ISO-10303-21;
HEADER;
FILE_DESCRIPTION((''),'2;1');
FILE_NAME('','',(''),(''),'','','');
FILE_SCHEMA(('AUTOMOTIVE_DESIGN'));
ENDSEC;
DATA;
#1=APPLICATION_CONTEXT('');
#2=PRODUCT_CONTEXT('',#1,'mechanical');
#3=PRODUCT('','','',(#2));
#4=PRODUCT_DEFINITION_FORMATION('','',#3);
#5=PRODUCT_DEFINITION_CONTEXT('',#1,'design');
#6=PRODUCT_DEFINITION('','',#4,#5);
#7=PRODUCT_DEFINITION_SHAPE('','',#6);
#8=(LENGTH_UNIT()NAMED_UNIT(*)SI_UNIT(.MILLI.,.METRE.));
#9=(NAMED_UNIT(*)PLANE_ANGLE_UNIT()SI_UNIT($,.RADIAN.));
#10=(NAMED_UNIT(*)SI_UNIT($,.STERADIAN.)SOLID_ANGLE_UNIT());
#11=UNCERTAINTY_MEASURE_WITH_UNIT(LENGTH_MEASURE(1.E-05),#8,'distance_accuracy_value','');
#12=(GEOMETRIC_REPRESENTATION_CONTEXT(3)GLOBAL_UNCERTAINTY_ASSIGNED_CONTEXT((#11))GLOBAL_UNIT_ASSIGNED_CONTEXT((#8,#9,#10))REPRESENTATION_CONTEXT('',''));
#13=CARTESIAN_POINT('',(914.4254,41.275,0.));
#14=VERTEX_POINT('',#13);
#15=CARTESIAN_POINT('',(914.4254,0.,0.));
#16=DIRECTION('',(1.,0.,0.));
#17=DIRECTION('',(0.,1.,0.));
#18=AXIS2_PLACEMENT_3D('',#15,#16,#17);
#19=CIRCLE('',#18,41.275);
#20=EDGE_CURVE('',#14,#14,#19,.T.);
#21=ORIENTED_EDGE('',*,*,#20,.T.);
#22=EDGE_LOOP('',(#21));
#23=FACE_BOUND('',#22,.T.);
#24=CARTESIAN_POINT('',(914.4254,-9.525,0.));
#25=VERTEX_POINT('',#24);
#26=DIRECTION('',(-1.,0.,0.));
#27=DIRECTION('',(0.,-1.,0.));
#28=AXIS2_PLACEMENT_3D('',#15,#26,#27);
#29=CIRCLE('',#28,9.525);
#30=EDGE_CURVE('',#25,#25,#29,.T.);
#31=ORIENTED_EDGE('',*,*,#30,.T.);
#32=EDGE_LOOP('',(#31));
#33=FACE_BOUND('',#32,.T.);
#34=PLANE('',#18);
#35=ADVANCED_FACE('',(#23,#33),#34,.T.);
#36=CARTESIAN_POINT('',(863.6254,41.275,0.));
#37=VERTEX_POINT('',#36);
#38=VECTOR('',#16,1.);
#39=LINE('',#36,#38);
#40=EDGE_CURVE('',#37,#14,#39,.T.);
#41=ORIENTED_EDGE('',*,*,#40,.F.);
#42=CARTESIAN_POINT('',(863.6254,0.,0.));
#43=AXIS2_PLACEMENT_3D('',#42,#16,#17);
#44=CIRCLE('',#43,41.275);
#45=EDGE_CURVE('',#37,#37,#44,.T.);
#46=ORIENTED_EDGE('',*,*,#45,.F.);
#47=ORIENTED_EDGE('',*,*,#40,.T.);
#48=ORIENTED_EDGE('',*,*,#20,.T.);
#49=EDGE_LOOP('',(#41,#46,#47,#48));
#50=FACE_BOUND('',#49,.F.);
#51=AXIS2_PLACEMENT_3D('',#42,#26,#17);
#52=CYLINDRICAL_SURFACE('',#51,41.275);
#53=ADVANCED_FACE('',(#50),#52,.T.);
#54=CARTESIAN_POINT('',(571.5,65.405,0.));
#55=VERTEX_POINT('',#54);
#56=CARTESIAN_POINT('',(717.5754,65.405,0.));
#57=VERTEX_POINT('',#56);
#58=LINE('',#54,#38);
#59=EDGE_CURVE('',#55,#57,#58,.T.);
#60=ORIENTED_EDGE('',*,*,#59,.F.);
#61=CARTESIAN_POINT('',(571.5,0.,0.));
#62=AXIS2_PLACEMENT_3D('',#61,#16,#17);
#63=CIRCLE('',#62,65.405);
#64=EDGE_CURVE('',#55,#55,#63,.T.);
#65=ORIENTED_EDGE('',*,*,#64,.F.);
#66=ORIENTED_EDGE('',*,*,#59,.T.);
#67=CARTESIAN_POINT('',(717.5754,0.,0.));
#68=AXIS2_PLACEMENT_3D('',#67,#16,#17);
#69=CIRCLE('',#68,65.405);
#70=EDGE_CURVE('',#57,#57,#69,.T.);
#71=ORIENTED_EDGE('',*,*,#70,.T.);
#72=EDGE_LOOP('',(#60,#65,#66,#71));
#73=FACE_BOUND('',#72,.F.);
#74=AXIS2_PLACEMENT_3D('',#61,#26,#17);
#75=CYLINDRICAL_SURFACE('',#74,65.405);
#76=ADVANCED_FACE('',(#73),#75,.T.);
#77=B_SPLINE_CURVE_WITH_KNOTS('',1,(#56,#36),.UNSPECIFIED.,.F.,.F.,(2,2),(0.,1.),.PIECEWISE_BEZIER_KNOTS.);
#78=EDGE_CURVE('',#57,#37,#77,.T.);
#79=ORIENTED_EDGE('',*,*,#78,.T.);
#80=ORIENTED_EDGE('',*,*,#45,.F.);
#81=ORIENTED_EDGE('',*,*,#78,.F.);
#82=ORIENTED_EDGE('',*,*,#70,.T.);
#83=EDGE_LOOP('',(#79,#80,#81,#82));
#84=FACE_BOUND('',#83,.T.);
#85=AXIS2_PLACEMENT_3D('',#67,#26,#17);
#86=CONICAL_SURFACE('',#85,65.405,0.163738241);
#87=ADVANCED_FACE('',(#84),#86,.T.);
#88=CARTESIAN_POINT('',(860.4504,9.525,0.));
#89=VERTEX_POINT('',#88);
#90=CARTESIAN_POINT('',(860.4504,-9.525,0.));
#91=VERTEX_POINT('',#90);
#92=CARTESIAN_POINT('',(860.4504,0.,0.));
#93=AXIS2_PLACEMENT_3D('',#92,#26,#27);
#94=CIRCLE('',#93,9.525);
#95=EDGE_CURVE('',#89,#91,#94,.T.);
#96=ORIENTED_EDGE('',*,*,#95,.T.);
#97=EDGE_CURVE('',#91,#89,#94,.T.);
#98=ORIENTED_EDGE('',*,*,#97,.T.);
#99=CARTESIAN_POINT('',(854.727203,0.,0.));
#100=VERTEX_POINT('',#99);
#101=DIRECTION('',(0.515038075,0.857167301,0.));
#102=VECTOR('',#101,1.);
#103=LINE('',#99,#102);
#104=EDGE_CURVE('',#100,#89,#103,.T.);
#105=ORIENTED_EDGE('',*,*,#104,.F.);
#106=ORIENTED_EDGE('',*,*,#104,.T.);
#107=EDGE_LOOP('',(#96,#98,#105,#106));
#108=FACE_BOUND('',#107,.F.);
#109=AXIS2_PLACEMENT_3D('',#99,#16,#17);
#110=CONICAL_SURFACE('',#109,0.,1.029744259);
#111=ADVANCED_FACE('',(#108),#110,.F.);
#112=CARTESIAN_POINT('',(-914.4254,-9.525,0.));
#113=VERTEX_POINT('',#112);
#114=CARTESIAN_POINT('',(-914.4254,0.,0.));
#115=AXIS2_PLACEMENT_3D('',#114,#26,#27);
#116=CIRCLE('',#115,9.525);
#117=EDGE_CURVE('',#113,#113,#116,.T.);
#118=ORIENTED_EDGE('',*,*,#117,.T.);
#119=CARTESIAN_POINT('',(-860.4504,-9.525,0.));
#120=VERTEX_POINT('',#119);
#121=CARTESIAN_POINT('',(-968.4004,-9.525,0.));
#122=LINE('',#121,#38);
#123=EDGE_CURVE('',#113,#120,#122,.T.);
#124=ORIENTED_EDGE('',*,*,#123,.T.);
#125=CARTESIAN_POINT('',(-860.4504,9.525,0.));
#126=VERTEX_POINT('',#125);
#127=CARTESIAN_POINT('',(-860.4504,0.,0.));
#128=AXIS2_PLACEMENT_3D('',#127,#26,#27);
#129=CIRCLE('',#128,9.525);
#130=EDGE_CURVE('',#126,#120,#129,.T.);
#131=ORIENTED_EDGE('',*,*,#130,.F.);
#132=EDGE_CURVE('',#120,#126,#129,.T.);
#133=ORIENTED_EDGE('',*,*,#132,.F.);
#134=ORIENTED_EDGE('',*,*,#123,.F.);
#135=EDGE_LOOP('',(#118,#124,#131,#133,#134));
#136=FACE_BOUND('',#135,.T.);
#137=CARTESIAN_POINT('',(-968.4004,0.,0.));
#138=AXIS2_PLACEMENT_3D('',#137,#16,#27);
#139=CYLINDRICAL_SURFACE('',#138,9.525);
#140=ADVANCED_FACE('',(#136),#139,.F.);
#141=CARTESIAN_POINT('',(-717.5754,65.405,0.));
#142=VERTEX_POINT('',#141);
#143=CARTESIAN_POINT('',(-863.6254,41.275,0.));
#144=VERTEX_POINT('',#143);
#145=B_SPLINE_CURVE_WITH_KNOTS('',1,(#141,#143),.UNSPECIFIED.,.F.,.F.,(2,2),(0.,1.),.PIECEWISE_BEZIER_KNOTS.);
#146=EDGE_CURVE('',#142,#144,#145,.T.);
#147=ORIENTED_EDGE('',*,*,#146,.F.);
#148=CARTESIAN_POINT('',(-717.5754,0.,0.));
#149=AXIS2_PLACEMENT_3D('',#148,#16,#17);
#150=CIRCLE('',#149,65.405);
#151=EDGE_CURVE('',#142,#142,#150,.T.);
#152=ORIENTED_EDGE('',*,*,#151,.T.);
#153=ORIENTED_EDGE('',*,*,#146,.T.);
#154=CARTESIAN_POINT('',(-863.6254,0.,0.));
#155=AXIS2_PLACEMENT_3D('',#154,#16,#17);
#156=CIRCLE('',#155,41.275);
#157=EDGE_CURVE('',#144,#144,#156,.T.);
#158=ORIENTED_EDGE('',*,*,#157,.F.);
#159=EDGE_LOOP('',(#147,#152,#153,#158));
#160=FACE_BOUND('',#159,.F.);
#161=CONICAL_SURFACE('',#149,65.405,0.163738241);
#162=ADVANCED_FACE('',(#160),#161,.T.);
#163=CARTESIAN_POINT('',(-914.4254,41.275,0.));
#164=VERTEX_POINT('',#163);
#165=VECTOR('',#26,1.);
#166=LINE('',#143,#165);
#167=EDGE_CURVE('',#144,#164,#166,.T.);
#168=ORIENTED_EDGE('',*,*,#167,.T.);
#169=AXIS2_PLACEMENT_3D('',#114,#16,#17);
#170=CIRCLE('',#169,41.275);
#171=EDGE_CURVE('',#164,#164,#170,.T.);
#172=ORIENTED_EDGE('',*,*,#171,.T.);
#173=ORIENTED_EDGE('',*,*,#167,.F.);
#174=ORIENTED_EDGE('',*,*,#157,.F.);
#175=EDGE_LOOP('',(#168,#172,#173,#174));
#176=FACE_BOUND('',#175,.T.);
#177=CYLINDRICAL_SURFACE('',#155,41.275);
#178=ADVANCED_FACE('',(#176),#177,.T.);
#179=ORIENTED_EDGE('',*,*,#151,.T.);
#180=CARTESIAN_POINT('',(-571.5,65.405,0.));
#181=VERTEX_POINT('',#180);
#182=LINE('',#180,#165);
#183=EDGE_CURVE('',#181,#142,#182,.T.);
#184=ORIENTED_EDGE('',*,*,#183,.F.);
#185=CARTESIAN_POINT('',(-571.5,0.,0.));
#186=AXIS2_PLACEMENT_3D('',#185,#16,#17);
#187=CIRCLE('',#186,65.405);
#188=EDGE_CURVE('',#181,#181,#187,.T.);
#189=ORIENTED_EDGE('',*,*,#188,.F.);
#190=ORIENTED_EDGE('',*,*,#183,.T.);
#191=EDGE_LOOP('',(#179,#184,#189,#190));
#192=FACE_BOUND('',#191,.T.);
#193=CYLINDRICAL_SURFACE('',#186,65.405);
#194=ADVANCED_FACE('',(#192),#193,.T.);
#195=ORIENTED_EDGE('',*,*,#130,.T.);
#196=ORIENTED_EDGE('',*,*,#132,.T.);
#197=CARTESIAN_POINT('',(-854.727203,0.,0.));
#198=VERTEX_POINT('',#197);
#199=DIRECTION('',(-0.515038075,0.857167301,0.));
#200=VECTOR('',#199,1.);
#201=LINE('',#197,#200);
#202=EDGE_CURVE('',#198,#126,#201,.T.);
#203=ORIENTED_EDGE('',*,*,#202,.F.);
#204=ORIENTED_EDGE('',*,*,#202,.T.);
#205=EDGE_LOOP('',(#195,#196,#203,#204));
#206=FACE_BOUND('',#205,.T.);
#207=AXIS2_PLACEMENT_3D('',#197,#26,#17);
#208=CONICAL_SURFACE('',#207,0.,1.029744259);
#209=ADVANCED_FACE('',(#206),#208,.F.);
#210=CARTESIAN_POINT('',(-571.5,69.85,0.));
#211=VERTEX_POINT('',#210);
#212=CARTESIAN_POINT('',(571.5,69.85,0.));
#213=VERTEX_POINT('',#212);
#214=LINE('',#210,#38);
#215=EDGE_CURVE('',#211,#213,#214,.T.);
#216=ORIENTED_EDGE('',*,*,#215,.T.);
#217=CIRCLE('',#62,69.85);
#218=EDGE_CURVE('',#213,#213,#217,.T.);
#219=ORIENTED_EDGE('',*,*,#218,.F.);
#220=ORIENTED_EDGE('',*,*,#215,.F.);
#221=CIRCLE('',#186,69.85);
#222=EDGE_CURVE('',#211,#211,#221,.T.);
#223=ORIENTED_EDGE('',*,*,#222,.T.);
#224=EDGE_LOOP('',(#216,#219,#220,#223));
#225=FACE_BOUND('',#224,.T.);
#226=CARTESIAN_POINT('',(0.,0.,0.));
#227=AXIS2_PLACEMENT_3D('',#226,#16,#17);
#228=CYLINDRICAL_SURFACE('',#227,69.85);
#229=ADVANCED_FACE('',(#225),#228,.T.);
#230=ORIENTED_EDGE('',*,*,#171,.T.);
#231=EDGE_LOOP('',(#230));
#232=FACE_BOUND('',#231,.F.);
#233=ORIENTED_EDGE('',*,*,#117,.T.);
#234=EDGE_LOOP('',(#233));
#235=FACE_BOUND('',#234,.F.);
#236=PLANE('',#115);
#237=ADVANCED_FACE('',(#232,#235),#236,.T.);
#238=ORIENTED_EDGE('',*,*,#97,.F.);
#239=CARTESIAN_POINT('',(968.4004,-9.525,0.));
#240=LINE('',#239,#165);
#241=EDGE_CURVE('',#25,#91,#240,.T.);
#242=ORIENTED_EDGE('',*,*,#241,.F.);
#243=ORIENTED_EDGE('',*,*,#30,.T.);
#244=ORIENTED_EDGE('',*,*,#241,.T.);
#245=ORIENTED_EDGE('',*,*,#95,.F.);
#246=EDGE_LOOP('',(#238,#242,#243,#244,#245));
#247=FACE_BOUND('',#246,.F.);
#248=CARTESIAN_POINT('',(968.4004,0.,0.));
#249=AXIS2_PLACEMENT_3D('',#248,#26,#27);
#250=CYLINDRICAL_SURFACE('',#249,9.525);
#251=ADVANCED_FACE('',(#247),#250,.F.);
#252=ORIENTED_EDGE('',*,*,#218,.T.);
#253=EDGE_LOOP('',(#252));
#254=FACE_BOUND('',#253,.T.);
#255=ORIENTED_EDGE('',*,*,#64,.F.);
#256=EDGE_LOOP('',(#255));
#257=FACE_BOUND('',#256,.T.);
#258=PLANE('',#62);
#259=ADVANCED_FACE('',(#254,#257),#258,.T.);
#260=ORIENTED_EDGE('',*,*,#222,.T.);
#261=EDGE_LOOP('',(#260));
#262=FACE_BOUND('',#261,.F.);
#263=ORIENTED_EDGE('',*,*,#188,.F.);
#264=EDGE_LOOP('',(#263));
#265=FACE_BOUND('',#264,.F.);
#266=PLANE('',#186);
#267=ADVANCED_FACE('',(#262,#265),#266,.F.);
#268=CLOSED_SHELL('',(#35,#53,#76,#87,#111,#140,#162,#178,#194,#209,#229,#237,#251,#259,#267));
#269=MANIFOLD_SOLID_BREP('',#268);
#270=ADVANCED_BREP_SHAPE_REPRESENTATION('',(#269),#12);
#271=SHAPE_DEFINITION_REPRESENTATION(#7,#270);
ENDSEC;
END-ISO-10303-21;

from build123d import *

# Parameters (mm, degrees)
F0_R      = 69.85
F1_DEPTH  = 571.5
F2_R      = 65.405
F3_DEPTH  = 146.0754
F3_FACE_R = 65.405
F5_R      = 41.275
F7_R      = 41.275
F8_DEPTH  = 50.8
F10_D     = 19.05
F10_DEPTH = 53.975
F10_TIP   = 5.7231973962


with BuildPart() as f1:
    # F0 (on Right) → F1 (new body, symmetric)
    with BuildSketch(Plane.YZ):
        Circle(F0_R)
    extrude(amount=F1_DEPTH, both=True)

    # F2 (on face) → F3 (join)
    with BuildSketch(Plane.YZ.offset(571.5)):
        Circle(F2_R)
    extrude(amount=F3_DEPTH)

    # F3_face (on face) → F6 section 0
    with BuildSketch(Plane.YZ.offset(717.5754)):
        Circle(F3_FACE_R)
    # F5 (on offset) → F6 section 1
    with BuildSketch(Plane.YZ.offset(863.6254)):
        Circle(F5_R)
    loft()

    # F7 (on face) → F8 (join)
    with BuildSketch(Plane.YZ.offset(863.6254)):
        Circle(F7_R)
    extrude(amount=F8_DEPTH)

    # F10
    with Locations(Plane.YZ.offset(914.4254)):
        with Locations((0, 0)):
            Hole(F10_D / 2, depth=F10_DEPTH)
            with Locations((0, 0, -(F10_DEPTH + F10_TIP / 2))):  # 118° drill point
                Cone(0, F10_D / 2, F10_TIP, mode=Mode.SUBTRACT)

    # F11: F1 across plane


with BuildPart() as f1_1:
    add(f1.part)
    add(f1.part.mirror(Plane.YZ))


solid = f1_1.part
